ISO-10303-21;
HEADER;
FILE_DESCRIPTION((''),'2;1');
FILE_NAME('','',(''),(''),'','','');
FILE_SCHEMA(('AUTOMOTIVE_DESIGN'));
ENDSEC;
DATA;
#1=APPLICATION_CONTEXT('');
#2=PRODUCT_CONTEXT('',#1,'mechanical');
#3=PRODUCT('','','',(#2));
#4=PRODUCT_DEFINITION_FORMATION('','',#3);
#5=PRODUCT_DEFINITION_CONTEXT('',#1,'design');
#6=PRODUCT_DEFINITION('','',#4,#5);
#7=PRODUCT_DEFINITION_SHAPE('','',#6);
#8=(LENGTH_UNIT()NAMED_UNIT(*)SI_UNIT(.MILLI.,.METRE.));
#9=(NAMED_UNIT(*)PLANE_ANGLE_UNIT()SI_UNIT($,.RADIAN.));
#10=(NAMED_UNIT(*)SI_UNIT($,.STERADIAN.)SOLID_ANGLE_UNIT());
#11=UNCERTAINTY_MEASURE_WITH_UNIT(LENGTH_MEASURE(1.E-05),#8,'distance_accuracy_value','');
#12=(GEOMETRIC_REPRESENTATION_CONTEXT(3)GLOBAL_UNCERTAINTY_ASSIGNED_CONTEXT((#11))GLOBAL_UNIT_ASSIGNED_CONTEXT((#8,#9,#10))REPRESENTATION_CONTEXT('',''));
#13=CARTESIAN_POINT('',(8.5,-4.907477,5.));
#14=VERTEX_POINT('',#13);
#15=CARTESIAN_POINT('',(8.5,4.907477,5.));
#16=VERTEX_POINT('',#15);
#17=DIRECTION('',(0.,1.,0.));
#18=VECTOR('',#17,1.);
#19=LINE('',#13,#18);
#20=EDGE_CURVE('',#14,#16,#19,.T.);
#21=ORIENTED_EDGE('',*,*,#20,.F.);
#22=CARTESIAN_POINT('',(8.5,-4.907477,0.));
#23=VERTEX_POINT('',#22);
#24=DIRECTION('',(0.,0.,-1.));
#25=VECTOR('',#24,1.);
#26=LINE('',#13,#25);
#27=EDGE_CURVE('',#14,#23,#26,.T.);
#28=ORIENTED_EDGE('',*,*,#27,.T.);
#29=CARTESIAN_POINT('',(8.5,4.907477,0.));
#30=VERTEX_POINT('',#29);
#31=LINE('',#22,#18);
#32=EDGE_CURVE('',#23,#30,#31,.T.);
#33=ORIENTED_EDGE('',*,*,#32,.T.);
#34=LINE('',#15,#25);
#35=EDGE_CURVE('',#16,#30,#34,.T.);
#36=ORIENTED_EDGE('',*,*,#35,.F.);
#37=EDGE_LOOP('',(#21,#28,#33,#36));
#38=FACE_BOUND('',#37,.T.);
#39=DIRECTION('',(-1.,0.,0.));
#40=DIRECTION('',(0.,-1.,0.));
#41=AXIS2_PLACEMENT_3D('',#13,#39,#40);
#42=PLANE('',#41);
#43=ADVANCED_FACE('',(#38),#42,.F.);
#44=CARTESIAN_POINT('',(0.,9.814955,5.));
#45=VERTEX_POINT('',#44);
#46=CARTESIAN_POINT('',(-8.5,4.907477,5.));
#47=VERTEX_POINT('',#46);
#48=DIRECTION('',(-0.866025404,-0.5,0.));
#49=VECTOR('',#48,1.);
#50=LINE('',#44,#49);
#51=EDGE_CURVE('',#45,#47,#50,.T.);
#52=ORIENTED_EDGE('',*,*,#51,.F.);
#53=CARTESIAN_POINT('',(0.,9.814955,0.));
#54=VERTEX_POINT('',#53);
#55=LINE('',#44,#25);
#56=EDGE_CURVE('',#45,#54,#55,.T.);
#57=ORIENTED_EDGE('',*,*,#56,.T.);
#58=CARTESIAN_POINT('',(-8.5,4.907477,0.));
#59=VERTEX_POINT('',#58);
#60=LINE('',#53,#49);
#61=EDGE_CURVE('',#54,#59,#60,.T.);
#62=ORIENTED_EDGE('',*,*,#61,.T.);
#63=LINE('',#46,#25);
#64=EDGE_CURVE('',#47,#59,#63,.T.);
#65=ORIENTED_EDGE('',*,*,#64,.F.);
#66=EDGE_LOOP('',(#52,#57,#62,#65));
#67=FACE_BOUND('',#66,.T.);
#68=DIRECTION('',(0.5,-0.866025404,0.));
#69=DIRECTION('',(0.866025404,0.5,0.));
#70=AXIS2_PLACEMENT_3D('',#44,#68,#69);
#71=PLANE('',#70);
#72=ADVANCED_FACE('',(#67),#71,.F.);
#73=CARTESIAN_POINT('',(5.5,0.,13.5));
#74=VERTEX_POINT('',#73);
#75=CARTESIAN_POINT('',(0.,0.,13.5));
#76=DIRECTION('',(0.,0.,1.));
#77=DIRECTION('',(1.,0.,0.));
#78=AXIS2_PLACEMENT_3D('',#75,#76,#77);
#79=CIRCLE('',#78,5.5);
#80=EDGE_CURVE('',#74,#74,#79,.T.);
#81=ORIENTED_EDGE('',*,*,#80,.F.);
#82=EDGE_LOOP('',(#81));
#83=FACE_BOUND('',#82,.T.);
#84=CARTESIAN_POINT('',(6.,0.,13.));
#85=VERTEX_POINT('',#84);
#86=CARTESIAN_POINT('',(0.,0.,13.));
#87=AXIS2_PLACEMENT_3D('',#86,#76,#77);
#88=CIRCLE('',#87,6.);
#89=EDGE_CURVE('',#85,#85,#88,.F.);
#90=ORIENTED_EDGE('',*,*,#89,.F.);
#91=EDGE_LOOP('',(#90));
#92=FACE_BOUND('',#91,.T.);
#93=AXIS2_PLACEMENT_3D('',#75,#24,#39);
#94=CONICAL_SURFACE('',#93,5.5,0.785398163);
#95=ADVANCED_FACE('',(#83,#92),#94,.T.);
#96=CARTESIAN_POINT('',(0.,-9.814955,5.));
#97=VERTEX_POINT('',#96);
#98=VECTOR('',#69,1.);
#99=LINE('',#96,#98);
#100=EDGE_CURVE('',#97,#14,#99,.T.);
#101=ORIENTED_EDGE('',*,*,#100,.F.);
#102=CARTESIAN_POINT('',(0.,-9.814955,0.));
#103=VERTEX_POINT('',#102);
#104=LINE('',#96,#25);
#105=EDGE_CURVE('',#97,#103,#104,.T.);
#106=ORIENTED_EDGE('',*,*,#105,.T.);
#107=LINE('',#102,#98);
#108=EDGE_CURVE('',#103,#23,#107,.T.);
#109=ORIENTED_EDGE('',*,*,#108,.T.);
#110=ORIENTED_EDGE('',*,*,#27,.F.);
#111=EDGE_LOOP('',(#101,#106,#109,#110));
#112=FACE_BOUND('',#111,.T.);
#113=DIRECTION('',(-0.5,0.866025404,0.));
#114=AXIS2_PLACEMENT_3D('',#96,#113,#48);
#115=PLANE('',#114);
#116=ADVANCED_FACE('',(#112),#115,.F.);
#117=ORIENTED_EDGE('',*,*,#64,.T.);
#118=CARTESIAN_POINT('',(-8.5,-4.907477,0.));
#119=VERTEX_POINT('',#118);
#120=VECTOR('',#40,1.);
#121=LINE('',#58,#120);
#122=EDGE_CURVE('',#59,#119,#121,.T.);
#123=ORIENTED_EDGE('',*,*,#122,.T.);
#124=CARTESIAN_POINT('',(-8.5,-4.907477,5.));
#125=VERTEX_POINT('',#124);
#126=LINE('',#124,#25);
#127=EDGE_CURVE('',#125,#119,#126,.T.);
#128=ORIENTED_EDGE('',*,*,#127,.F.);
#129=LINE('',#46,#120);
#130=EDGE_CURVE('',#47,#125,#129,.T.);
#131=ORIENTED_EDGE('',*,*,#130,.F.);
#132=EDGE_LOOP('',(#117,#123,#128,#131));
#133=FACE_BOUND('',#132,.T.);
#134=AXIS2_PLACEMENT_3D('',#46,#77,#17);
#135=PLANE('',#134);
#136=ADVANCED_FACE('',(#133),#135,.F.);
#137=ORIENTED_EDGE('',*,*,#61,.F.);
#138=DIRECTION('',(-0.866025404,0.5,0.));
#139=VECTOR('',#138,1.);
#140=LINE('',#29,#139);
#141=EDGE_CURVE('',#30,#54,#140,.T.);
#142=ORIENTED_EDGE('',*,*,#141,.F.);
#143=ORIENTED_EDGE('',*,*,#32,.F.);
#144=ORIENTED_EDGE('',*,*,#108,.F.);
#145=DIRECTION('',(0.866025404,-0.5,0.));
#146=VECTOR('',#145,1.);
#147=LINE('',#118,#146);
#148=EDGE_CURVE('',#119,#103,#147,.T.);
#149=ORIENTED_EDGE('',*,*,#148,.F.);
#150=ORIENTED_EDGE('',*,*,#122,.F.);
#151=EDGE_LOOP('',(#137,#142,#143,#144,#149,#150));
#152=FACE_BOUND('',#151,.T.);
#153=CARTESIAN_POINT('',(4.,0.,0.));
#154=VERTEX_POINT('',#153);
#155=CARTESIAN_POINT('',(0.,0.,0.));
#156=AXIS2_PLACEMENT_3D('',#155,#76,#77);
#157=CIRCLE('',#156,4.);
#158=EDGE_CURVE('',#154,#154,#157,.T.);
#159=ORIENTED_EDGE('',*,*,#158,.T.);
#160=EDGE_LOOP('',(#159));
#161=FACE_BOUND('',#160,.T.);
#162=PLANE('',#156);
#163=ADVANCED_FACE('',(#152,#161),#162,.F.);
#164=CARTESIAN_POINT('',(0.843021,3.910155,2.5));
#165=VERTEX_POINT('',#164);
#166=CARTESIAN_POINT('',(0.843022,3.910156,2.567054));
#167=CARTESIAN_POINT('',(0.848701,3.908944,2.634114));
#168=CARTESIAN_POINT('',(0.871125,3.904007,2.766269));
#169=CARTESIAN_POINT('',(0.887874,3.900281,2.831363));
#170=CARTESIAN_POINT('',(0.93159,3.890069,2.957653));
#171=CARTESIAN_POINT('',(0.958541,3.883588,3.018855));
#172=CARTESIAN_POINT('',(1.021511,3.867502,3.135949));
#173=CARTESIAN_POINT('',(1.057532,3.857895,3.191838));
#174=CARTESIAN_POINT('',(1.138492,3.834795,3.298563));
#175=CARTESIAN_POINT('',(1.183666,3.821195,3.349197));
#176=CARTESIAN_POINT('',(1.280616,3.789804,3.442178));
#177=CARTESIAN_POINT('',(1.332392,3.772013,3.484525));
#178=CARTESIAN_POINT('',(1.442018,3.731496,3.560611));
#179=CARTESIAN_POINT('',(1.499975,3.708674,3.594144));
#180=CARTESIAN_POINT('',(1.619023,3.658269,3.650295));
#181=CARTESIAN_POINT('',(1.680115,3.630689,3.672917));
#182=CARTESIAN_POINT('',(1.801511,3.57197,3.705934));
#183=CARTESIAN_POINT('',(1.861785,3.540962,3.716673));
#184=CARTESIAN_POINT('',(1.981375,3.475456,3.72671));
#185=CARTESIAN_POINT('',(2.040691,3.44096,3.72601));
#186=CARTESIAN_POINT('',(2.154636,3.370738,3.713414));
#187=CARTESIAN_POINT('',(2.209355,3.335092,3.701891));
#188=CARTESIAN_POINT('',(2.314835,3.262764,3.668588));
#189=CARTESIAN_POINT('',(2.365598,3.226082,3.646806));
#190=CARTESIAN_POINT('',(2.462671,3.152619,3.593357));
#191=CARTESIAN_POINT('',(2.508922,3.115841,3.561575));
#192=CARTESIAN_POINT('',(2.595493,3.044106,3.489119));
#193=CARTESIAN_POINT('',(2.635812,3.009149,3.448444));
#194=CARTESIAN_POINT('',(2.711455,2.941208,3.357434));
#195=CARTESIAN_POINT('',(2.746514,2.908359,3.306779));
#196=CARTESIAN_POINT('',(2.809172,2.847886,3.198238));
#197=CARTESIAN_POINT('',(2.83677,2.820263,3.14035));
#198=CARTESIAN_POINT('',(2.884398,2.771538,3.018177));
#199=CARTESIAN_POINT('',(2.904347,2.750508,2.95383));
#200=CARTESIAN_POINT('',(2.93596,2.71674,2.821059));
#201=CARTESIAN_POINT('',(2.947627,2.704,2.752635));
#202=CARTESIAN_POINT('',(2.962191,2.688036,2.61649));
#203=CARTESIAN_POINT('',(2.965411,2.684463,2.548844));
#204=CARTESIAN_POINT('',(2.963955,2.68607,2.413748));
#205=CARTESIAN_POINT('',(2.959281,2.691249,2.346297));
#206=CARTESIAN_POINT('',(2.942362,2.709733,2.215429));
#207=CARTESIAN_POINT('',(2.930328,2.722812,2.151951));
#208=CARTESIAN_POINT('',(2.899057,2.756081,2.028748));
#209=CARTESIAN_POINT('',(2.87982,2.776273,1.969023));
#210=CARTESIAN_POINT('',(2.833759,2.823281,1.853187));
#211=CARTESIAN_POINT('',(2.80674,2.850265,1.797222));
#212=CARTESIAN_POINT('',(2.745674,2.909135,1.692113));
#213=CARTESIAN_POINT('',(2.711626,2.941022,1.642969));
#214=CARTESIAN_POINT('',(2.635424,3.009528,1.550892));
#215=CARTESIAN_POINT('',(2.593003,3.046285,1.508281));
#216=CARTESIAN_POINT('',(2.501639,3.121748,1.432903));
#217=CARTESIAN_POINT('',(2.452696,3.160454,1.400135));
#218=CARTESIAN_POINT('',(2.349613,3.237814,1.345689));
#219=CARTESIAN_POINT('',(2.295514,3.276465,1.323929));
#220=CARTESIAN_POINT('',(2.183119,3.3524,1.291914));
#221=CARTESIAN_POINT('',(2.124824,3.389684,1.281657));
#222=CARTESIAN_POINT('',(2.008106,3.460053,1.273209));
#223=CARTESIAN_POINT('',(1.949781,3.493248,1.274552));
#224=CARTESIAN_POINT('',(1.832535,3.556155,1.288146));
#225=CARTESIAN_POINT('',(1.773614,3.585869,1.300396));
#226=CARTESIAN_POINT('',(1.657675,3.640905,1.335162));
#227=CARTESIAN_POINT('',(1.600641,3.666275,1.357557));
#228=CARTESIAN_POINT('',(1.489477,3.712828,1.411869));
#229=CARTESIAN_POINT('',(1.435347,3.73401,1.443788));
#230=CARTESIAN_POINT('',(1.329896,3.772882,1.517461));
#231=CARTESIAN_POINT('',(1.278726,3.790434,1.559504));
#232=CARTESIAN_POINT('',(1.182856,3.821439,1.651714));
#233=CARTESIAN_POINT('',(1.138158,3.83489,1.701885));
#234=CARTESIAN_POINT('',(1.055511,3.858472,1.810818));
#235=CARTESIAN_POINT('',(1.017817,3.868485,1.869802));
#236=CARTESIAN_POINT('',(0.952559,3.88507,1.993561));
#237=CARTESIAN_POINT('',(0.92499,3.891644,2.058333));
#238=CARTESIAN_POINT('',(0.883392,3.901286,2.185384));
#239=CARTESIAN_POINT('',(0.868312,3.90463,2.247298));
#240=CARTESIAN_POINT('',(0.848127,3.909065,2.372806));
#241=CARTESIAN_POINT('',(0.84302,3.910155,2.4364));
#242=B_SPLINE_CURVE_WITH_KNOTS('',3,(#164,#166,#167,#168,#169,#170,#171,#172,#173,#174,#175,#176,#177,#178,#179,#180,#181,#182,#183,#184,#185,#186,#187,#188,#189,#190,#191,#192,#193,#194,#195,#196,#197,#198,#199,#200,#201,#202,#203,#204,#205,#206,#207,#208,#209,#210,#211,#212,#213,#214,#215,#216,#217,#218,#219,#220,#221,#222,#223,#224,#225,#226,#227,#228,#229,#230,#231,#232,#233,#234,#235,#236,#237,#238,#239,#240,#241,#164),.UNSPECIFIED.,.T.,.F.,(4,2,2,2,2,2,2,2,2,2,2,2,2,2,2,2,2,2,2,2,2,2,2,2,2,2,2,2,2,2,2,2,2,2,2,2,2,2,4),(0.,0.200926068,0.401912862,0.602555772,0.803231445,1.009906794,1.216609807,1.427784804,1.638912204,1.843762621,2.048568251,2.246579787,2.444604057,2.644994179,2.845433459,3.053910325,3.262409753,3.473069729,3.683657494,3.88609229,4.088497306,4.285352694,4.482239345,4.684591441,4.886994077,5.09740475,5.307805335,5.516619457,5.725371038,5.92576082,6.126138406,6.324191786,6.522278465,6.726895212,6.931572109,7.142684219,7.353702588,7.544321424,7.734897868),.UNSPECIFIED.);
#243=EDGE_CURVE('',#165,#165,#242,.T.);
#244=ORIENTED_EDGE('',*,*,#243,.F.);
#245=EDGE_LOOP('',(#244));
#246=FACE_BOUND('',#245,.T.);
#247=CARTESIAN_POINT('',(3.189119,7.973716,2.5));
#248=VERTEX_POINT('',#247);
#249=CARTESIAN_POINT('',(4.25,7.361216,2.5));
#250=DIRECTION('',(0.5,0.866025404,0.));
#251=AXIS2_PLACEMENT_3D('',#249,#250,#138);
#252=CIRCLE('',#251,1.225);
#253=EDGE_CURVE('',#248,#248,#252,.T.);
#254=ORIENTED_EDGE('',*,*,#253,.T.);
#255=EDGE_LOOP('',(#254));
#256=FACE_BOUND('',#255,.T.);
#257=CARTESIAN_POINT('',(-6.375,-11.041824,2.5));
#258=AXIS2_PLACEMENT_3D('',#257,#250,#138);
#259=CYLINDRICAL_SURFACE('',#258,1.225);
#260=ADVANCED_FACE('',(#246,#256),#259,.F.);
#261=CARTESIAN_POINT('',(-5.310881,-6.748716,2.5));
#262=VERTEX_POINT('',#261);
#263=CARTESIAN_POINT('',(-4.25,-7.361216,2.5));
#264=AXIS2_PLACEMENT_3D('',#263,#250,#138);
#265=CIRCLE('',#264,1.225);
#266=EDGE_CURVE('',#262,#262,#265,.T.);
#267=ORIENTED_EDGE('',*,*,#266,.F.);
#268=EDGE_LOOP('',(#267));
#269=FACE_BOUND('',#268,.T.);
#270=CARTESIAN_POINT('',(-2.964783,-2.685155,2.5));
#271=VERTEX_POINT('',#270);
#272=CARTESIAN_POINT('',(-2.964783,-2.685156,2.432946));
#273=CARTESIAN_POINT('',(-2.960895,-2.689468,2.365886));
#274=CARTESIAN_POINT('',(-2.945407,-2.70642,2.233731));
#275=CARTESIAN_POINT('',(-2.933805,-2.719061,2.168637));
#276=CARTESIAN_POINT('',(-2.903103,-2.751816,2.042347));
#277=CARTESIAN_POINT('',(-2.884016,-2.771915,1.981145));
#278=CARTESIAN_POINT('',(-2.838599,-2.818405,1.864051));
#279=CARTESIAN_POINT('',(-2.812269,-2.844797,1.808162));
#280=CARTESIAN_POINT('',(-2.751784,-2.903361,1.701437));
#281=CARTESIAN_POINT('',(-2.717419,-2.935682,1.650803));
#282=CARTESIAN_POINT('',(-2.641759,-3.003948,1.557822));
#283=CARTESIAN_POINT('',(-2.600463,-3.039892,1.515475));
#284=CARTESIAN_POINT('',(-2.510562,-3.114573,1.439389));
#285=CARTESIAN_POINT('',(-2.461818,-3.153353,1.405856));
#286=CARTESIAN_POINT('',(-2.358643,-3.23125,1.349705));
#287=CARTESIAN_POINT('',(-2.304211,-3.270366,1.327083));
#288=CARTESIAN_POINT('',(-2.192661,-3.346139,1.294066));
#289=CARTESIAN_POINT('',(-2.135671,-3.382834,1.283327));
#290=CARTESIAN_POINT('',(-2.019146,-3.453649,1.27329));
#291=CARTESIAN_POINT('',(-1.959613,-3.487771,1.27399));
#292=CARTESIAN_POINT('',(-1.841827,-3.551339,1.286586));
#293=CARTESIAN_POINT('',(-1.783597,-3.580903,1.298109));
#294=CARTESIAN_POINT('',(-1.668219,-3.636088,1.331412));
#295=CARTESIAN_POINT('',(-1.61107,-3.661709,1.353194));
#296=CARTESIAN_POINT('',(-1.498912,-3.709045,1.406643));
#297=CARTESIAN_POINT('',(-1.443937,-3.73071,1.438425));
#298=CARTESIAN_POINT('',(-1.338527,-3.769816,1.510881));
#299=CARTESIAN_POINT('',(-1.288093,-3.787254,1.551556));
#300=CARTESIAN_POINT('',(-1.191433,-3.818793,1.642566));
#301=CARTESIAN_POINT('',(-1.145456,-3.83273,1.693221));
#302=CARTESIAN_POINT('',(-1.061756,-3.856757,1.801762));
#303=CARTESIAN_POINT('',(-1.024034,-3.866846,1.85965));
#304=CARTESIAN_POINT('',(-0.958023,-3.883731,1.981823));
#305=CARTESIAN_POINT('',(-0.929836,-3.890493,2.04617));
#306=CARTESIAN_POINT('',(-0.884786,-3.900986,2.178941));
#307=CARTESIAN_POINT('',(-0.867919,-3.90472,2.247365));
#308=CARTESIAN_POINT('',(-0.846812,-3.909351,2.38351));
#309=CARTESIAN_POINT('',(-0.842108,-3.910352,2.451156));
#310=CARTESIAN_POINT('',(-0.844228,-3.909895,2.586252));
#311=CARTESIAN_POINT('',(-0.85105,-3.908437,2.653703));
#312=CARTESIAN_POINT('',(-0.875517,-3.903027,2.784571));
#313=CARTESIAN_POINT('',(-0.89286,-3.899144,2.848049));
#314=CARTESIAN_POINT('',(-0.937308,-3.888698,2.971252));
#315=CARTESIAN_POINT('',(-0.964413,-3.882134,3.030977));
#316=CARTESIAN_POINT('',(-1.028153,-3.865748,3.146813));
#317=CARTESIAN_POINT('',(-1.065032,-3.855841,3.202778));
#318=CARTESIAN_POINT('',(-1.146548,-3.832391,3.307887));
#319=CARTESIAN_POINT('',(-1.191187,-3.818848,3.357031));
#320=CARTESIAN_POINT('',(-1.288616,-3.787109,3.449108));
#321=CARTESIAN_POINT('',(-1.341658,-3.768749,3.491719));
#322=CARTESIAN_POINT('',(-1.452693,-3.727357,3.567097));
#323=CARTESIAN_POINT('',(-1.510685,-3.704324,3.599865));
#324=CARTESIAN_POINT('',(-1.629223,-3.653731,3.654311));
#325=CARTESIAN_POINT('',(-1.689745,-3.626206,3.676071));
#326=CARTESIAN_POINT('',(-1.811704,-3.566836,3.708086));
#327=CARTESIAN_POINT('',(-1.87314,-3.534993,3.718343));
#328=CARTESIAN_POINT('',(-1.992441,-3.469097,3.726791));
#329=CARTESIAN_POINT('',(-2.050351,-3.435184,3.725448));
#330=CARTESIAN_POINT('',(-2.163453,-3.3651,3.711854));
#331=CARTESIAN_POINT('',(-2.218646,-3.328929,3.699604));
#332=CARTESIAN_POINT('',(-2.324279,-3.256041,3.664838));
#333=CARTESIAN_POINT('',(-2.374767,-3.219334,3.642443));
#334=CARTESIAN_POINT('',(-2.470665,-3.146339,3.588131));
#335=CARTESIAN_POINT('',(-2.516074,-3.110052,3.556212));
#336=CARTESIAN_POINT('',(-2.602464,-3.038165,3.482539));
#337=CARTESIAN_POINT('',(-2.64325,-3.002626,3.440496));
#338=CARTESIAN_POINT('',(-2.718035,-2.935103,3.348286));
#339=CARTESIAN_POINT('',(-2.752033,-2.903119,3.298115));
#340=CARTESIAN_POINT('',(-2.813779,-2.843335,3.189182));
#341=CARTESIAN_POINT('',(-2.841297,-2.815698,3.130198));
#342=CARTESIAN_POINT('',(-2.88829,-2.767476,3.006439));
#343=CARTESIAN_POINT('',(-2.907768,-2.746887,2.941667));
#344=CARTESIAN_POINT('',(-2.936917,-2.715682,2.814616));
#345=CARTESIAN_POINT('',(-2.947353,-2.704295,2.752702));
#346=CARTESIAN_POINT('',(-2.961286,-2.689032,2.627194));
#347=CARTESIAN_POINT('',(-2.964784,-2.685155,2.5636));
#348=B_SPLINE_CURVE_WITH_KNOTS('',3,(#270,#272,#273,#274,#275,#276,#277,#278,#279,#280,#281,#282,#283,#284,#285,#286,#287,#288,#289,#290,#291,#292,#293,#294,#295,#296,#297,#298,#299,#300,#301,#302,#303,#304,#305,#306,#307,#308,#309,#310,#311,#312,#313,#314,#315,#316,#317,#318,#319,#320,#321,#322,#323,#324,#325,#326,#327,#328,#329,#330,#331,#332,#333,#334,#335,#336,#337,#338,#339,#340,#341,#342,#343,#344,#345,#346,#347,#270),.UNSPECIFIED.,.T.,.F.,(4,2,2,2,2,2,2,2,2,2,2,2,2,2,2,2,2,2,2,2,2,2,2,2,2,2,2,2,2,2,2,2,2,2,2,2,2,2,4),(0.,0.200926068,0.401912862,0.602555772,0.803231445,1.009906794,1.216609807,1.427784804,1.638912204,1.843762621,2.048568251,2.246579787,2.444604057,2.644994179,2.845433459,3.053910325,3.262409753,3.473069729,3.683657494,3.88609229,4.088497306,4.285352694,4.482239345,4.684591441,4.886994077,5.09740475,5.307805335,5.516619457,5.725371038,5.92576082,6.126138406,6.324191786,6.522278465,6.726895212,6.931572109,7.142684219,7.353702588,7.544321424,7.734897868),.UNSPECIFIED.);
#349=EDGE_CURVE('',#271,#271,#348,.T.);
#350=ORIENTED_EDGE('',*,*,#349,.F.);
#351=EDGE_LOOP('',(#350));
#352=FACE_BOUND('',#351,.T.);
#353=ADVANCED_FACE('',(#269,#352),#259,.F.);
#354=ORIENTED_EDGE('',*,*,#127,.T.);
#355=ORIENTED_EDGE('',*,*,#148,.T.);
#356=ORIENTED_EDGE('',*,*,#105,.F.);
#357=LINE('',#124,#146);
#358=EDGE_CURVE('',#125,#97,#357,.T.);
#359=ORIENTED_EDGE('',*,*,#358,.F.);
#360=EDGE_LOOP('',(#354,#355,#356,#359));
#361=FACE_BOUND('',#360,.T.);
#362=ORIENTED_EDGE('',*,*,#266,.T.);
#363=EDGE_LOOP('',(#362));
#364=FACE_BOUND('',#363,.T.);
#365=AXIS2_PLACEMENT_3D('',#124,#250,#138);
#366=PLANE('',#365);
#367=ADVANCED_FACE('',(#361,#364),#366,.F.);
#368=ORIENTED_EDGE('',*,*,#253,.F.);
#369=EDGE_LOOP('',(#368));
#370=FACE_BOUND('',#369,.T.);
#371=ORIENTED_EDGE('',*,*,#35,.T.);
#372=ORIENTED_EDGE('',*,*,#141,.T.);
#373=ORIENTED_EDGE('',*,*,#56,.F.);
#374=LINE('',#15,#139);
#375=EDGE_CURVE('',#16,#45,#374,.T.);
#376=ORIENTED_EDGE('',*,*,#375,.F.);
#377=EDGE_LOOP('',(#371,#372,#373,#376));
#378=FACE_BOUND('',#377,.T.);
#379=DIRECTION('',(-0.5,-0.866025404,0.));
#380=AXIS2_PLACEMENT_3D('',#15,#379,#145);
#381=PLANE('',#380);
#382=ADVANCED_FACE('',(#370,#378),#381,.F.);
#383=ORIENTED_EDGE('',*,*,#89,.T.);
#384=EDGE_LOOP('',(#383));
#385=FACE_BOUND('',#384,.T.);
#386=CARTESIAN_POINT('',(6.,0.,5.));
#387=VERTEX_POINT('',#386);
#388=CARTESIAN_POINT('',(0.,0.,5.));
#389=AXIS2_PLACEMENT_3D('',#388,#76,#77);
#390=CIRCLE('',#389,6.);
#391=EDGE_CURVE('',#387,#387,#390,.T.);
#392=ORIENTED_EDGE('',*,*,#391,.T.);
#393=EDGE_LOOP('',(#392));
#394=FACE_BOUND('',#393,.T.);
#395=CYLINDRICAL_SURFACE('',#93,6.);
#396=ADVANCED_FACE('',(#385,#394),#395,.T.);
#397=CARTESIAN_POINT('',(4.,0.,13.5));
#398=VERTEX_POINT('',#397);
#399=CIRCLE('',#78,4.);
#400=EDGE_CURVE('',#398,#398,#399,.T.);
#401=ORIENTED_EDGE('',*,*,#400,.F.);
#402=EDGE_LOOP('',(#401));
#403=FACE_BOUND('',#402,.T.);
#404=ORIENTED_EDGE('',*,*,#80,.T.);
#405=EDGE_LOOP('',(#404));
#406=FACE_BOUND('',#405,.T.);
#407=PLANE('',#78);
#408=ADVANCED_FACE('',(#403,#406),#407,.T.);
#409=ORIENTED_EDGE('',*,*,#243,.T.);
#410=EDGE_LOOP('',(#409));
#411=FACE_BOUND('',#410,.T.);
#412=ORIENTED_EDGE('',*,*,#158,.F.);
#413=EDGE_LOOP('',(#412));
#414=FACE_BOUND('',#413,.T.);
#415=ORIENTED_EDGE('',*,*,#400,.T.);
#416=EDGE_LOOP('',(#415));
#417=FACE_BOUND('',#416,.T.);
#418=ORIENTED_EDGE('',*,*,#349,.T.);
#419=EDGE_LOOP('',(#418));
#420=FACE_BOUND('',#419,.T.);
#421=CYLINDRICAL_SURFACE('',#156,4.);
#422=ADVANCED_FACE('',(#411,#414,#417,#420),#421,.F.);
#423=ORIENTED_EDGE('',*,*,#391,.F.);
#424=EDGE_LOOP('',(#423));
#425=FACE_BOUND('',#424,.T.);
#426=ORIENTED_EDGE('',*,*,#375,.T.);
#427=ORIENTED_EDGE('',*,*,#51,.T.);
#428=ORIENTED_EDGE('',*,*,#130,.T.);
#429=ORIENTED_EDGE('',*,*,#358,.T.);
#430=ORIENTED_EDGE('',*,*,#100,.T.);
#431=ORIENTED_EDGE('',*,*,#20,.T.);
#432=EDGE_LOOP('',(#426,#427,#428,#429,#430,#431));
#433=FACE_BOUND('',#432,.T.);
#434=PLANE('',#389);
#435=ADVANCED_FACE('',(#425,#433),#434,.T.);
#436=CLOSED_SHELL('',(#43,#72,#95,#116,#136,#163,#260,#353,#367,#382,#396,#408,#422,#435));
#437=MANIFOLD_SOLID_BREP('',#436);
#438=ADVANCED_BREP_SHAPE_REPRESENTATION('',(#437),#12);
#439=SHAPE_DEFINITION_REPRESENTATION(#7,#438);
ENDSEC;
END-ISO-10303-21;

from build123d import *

# Parameters (mm, degrees)
SALIENTE_EXTRUIR1_DEPTH = 5
CROQUIS2_R              = 6
SALIENTE_EXTRUIR2_DEPTH = 8.5
CROQUIS3_R              = 4
CORTAR_EXTRUIR1_DEPTH   = 19.730545463
CHAFL_N1_SIZE           = 0.5
CROQUIS4_R              = 1.225
CORTAR_EXTRUIR2_DEPTH   = 26.294927028


with BuildPart() as part:
    # Croquis1 → Saliente-Extruir1 (new body)
    with BuildSketch(Plane.XY):
        Polygon((0, 9.814954576), (-8.5, 4.907477288), (-8.5, -4.907477288), (0, -9.814954576), (8.5, -4.907477288), (8.5, 4.907477288), align=None)
    extrude(amount=SALIENTE_EXTRUIR1_DEPTH)

    # Croquis2 → Saliente-Extruir2 (add)
    with BuildSketch(Plane.XY.offset(5)):
        Circle(CROQUIS2_R)
    extrude(amount=SALIENTE_EXTRUIR2_DEPTH)

    # Croquis3 → Cortar-Extruir1 (cut, through all)
    with BuildSketch(Plane.XY.offset(13.5)):
        Circle(CROQUIS3_R)
    extrude(amount=-CORTAR_EXTRUIR1_DEPTH, mode=Mode.SUBTRACT)

    # Chaflán1
    chafl_n1_edges = [part.edges().sort_by_distance(p)[0] for p in [
        (-6, 0, 13.5),
    ]]
    chamfer(chafl_n1_edges, length=CHAFL_N1_SIZE)

    # Croquis4 → Cortar-Extruir2 (cut, through all)
    with BuildSketch(Plane(origin=(4.25, 7.361215932, 0), x_dir=(0.8660254037844415, -0.4999999999999951, 0), z_dir=(0.49999999999999517, 0.8660254037844416, 0))):
        with Locations(Location((0, -2.5, 0), (0, 0, 180))):
            Circle(CROQUIS4_R)
    extrude(amount=-CORTAR_EXTRUIR2_DEPTH, mode=Mode.SUBTRACT)


solid = part.part
